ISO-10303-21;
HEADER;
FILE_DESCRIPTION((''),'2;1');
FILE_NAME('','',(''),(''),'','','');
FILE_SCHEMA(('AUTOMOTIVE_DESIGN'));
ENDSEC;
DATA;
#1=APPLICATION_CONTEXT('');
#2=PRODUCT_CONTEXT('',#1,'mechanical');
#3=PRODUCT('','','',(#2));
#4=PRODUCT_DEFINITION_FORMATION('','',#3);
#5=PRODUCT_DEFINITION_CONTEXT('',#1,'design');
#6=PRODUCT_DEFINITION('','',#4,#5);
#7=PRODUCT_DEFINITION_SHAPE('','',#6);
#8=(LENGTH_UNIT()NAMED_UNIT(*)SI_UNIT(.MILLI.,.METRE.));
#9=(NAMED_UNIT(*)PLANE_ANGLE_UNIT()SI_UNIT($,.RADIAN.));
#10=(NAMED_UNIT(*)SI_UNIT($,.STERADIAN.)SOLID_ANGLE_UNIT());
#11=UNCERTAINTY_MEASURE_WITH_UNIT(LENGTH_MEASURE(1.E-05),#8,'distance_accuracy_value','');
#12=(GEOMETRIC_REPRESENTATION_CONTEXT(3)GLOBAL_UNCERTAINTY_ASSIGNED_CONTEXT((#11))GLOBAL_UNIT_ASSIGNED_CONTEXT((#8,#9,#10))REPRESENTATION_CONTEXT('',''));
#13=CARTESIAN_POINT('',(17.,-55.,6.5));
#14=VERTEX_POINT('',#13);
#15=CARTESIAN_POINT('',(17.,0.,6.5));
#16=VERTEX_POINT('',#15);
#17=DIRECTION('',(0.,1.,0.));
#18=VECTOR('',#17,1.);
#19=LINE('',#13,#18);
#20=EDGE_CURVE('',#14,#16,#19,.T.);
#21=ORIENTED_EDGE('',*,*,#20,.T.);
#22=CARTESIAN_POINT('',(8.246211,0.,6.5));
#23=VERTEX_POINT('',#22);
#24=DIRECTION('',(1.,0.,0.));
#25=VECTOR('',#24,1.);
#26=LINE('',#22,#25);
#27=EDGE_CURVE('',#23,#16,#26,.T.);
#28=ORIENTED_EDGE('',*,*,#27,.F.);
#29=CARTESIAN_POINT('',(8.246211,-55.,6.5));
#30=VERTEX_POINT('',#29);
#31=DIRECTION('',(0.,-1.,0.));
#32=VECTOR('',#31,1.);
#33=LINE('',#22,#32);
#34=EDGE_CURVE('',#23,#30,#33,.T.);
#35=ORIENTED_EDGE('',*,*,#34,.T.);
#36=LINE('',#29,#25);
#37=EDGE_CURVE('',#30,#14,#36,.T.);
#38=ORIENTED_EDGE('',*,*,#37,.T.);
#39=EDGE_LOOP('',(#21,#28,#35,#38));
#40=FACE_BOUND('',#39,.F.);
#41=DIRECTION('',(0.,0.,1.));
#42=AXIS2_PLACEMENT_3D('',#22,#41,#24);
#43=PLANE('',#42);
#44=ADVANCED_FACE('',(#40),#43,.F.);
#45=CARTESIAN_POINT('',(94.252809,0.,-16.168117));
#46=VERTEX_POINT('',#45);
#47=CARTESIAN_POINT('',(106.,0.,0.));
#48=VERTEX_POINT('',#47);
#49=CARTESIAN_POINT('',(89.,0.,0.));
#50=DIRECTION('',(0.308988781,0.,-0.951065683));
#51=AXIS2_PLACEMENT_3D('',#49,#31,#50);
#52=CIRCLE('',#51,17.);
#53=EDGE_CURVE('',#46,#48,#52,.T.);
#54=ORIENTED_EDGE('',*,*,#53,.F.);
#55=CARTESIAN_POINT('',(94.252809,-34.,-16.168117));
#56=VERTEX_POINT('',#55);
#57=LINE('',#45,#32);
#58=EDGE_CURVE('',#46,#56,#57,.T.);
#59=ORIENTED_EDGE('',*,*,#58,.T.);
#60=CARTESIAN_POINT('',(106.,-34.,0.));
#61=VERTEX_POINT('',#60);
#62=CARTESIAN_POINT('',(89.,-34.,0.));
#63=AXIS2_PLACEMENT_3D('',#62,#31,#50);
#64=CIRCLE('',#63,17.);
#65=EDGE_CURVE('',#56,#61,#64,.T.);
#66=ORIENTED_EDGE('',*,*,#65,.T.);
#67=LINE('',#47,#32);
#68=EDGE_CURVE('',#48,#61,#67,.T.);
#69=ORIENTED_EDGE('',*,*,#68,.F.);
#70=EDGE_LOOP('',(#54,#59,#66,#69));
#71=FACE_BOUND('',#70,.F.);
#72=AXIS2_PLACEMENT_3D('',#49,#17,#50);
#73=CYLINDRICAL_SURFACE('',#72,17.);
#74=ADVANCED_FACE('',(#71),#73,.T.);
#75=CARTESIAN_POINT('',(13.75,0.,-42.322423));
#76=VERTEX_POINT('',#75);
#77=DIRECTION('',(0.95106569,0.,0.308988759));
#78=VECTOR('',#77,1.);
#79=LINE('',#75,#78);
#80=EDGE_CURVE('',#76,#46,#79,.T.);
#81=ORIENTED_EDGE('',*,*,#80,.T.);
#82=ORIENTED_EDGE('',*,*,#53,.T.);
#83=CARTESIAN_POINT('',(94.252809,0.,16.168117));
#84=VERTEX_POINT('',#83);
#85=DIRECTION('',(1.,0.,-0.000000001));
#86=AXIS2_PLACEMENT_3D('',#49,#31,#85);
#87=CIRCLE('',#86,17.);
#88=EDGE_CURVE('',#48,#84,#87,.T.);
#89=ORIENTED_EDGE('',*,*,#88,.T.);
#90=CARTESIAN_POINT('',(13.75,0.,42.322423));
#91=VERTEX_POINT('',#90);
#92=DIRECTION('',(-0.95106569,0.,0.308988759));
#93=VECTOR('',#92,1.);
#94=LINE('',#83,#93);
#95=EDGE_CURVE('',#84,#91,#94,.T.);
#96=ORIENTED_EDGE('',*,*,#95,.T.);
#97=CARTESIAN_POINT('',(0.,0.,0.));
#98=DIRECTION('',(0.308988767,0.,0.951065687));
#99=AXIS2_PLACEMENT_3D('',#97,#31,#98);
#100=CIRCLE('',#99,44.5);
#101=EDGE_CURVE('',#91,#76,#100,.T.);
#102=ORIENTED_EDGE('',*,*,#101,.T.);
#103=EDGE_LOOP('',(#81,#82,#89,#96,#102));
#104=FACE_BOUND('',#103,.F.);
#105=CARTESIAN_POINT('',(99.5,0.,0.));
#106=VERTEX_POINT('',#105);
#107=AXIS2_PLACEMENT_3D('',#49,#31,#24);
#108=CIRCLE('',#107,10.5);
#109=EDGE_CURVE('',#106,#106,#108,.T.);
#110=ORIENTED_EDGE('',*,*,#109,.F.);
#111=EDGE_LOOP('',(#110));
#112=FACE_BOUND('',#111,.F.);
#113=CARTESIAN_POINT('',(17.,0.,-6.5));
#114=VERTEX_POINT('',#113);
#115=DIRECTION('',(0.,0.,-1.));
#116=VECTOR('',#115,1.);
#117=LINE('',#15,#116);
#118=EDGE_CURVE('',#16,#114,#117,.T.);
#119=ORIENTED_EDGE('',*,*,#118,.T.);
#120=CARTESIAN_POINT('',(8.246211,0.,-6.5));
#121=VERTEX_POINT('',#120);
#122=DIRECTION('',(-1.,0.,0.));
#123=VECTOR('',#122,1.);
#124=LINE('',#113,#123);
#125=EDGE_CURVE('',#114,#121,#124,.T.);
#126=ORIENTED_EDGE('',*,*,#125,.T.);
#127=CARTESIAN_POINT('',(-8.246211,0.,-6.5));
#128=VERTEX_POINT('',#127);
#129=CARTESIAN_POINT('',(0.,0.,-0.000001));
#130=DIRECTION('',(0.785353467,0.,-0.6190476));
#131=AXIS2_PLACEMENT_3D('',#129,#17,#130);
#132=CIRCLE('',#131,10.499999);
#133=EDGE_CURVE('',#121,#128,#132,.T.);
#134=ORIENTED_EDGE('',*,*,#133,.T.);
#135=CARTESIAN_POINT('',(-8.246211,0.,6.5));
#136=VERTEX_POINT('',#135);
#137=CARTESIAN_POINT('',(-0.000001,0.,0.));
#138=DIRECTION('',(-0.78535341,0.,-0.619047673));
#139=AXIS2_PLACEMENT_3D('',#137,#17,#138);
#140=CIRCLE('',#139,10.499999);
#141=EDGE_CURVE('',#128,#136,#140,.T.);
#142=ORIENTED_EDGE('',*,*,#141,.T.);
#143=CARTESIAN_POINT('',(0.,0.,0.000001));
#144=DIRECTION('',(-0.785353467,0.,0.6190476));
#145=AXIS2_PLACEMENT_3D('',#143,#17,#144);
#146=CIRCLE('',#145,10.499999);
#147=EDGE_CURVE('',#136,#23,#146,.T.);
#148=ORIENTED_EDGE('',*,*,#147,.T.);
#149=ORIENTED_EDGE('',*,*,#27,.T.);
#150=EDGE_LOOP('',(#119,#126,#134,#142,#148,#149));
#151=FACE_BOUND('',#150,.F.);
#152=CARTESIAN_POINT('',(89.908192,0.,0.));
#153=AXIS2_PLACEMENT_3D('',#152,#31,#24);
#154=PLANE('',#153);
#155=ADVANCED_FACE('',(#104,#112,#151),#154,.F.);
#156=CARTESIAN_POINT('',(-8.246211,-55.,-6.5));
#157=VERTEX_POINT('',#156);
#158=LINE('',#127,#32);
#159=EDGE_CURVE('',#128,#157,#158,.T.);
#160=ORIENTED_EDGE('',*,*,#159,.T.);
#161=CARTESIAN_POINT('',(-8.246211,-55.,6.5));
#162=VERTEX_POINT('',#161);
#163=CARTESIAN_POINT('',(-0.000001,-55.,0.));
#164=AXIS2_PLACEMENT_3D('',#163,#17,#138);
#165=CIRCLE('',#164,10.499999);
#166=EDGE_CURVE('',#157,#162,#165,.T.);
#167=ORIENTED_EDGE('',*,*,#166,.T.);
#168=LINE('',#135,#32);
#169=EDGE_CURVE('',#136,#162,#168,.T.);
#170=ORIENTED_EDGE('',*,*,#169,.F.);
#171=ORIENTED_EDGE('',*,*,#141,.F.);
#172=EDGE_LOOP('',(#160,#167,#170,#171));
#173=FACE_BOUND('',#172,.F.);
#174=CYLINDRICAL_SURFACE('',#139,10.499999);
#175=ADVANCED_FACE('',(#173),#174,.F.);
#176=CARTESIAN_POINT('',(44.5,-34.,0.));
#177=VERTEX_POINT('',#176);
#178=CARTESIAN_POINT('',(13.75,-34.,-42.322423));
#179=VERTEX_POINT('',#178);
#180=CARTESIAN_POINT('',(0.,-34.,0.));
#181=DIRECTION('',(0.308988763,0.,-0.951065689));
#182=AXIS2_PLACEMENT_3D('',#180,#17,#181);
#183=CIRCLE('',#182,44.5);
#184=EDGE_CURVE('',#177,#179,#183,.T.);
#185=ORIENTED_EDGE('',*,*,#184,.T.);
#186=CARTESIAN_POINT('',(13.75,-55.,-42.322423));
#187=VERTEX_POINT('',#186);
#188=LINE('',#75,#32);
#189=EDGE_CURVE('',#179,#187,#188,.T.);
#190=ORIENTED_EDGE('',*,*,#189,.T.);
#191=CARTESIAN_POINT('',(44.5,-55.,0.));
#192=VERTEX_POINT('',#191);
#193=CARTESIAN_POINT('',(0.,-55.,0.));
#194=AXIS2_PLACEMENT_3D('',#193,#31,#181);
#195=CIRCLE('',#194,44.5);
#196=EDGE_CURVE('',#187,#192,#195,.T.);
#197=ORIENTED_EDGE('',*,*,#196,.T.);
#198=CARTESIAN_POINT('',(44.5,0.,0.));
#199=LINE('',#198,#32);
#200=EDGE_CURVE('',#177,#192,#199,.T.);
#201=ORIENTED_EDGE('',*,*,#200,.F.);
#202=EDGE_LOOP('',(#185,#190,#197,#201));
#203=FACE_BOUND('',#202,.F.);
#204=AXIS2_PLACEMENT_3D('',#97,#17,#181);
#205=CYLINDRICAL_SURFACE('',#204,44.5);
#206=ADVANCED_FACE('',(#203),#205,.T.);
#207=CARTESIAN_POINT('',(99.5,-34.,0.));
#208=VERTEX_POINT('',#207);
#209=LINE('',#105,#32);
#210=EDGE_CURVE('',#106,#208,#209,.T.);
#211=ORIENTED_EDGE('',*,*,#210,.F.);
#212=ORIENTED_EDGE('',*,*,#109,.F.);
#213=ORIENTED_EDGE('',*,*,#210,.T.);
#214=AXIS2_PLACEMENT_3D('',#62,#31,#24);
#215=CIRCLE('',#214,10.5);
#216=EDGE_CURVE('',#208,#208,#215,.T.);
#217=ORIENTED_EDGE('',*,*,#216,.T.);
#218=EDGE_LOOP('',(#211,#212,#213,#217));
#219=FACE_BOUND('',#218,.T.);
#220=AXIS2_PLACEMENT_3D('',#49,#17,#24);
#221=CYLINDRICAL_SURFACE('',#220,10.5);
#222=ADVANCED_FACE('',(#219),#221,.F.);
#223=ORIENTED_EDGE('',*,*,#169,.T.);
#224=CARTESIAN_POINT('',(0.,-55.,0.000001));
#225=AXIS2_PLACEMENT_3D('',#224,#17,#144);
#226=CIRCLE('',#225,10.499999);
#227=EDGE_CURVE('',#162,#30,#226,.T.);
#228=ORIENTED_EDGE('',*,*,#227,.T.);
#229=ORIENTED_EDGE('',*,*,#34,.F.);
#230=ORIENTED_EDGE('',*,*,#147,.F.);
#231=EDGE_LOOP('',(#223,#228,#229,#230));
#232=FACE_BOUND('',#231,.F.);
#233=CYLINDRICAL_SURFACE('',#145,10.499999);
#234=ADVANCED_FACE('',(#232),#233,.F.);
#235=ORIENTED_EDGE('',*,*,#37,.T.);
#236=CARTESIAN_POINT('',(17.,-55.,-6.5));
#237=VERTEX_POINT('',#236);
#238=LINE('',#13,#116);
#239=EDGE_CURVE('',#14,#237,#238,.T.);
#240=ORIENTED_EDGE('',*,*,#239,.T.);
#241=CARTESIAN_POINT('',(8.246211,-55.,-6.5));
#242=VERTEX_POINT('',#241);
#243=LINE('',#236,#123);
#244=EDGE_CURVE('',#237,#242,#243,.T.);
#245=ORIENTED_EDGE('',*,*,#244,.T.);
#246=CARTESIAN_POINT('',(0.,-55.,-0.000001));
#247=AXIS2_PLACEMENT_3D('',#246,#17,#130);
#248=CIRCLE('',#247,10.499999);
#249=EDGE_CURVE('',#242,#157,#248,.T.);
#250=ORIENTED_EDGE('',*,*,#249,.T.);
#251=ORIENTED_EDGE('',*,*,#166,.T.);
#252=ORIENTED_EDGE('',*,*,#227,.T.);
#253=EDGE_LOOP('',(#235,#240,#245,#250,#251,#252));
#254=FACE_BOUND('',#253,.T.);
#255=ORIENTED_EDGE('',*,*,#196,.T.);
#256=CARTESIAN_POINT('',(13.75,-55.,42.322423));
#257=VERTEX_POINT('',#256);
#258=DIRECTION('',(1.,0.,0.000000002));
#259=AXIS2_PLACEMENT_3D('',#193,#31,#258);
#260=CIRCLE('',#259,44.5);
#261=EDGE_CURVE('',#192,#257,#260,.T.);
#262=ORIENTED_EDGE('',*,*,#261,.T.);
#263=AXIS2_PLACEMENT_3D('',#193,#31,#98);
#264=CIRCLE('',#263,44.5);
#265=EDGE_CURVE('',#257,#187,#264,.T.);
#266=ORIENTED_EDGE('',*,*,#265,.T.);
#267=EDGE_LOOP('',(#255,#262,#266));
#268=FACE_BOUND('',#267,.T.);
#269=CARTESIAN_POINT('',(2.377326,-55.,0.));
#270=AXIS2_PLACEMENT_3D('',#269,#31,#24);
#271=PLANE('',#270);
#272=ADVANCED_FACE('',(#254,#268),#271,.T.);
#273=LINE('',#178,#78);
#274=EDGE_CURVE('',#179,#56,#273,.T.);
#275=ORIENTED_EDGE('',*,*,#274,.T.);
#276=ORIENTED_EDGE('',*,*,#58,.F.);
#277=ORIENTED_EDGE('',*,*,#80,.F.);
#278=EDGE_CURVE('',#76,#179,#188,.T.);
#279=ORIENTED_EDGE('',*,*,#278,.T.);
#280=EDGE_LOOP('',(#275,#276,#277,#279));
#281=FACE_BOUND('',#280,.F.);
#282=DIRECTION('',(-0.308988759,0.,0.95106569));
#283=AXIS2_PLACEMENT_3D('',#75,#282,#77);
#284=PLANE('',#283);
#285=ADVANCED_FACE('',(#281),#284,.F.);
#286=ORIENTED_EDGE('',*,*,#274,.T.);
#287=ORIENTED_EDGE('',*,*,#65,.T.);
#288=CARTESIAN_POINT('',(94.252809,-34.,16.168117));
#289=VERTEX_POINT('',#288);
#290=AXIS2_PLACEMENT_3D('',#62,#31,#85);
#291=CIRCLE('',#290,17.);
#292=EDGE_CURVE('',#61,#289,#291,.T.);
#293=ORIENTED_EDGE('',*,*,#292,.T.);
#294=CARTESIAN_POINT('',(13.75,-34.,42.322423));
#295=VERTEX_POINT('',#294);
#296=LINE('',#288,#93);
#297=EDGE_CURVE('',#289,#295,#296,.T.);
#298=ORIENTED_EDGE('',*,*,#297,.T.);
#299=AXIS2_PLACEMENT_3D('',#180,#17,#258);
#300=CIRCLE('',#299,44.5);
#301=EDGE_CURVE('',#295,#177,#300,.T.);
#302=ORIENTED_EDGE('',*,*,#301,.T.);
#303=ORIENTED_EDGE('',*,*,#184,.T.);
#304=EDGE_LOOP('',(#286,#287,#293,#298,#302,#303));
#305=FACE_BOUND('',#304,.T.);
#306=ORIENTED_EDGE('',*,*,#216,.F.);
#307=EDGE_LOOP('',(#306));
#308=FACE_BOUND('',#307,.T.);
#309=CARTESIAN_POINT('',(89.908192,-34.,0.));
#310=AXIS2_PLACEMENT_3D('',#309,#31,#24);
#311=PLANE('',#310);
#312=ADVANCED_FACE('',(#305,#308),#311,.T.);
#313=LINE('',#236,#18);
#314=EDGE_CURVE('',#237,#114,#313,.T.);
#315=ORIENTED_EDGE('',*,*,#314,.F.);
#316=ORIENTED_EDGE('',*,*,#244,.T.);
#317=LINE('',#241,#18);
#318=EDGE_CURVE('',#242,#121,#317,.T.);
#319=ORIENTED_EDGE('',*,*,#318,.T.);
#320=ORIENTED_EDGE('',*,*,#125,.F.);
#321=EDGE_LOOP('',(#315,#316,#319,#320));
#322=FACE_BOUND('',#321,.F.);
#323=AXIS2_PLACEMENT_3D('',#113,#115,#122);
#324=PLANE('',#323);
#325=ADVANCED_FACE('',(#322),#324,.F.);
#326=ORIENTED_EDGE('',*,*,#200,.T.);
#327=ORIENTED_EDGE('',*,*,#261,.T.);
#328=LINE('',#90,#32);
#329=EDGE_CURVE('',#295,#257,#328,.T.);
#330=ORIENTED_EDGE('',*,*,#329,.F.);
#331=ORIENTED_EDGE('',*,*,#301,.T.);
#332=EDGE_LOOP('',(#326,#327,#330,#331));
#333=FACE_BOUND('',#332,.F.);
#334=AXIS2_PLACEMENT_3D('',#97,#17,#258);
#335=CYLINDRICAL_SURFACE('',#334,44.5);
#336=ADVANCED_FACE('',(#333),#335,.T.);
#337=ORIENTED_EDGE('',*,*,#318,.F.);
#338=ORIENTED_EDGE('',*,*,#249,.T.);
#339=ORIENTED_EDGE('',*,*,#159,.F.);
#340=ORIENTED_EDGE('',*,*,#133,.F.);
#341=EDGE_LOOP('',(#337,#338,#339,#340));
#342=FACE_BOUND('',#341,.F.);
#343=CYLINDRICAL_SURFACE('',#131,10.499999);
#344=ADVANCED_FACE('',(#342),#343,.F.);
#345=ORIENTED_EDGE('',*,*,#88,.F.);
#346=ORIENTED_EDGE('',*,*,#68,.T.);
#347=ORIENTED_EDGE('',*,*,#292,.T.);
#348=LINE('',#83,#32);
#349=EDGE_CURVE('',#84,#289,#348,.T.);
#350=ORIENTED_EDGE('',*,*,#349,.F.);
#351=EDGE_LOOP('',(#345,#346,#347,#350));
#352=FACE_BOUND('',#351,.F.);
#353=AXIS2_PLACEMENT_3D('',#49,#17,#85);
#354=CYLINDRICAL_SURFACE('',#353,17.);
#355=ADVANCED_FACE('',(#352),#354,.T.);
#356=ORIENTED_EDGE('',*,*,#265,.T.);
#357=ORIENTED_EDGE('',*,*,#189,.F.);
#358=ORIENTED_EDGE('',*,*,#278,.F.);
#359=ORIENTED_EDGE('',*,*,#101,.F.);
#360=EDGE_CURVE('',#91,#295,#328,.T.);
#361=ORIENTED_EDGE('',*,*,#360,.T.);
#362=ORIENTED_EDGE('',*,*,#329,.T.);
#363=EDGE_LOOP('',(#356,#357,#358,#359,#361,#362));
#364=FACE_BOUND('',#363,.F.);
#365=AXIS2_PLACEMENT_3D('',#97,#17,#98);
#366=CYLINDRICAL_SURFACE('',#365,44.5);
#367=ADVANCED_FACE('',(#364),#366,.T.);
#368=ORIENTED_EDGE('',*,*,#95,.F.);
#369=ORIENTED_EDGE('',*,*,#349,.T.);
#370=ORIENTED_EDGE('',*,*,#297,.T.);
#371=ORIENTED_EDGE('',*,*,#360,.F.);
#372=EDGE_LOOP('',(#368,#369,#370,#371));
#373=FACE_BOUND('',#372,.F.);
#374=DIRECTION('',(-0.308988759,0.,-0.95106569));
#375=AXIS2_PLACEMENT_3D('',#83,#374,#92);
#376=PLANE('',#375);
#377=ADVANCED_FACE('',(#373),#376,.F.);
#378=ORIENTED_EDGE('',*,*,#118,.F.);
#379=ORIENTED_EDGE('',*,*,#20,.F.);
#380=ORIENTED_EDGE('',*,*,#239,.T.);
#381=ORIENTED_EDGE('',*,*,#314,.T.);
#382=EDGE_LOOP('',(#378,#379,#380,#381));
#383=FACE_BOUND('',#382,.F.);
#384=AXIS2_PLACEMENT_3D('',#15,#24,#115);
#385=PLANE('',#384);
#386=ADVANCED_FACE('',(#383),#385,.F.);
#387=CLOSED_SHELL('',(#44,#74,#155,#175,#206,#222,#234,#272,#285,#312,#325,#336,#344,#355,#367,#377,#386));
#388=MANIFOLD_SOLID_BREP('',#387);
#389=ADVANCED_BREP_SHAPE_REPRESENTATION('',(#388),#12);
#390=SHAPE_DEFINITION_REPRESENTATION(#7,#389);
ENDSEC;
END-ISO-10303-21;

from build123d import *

# Parameters (mm, degrees)
F0_R     = 10.5
F1_DEPTH = 34
F2_DEPTH = 55


with BuildPart() as f1:
    # F0 (on Front) → F1 (new body)
    with BuildSketch(Plane.XZ):
        with BuildLine():
            ThreePointArc((106, 0), (102.753141, 9.992553), (94.252809, 16.168117))
            ThreePointArc((94.252809, 16.168117), (72, 0), (94.252809, -16.168117))
            ThreePointArc((94.252809, -16.168117), (102.753141, -9.992553), (106, 0))
        make_face()
        with Locations((89, 0)):
            Circle(F0_R, mode=Mode.SUBTRACT)
        with BuildLine():
            ThreePointArc((13.75, 42.322423), (36.000868, 26.156978), (44.5, 0))
            ThreePointArc((44.5, 0), (36.000868, -26.156978), (13.75, -42.322423))
            Line((13.75, -42.322423), (94.252809, -16.168117))
            ThreePointArc((94.252809, -16.168117), (72, 0), (94.252809, 16.168117))
            Line((94.252809, 16.168117), (13.75, 42.322423))
        make_face()
        with BuildLine():
            ThreePointArc((13.75, -42.322423), (36.000868, -26.156978), (44.5, 0))
            ThreePointArc((44.5, 0), (36.000868, 26.156978), (13.75, 42.322423))
            ThreePointArc((13.75, 42.322423), (-44.5, 0), (13.75, -42.322423))
        make_face()
        with BuildLine():
            ThreePointArc((-8.246211, 6.5), (0, 10.5), (8.246211, 6.5))
            Line((8.246211, 6.5), (17, 6.5))
            Line((17, 6.5), (17, -6.5))
            Line((17, -6.5), (8.246211, -6.5))
            ThreePointArc((8.246211, -6.5), (0, -10.5), (-8.246211, -6.5))
            Line((-8.246211, -6.5), (-17, -6.5))
            Line((-17, -6.5), (-17, 6.5))
            Line((-17, 6.5), (-8.246211, 6.5))
        make_face(mode=Mode.SUBTRACT)
        with BuildLine():
            ThreePointArc((-8.246211, -6.5), (-10.5, 0), (-8.246211, 6.5))
            Line((-8.246211, 6.5), (-17, 6.5))
            Line((-17, 6.5), (-17, -6.5))
            Line((-17, -6.5), (-8.246211, -6.5))
        make_face()
    extrude(amount=F1_DEPTH)

    # F0 (on Front) → F2 (join)
    with BuildSketch(Plane.XZ):
        with BuildLine():
            ThreePointArc((13.75, -42.322423), (36.000868, -26.156978), (44.5, 0))
            ThreePointArc((44.5, 0), (36.000868, 26.156978), (13.75, 42.322423))
            ThreePointArc((13.75, 42.322423), (-44.5, 0), (13.75, -42.322423))
        make_face()
        with BuildLine():
            ThreePointArc((-8.246211, 6.5), (0, 10.5), (8.246211, 6.5))
            Line((8.246211, 6.5), (17, 6.5))
            Line((17, 6.5), (17, -6.5))
            Line((17, -6.5), (8.246211, -6.5))
            ThreePointArc((8.246211, -6.5), (0, -10.5), (-8.246211, -6.5))
            Line((-8.246211, -6.5), (-17, -6.5))
            Line((-17, -6.5), (-17, 6.5))
            Line((-17, 6.5), (-8.246211, 6.5))
        make_face(mode=Mode.SUBTRACT)
        with BuildLine():
            ThreePointArc((-8.246211, -6.5), (-10.5, 0), (-8.246211, 6.5))
            Line((-8.246211, 6.5), (-17, 6.5))
            Line((-17, 6.5), (-17, -6.5))
            Line((-17, -6.5), (-8.246211, -6.5))
        make_face()
    extrude(amount=F2_DEPTH)


solid = f1.part
